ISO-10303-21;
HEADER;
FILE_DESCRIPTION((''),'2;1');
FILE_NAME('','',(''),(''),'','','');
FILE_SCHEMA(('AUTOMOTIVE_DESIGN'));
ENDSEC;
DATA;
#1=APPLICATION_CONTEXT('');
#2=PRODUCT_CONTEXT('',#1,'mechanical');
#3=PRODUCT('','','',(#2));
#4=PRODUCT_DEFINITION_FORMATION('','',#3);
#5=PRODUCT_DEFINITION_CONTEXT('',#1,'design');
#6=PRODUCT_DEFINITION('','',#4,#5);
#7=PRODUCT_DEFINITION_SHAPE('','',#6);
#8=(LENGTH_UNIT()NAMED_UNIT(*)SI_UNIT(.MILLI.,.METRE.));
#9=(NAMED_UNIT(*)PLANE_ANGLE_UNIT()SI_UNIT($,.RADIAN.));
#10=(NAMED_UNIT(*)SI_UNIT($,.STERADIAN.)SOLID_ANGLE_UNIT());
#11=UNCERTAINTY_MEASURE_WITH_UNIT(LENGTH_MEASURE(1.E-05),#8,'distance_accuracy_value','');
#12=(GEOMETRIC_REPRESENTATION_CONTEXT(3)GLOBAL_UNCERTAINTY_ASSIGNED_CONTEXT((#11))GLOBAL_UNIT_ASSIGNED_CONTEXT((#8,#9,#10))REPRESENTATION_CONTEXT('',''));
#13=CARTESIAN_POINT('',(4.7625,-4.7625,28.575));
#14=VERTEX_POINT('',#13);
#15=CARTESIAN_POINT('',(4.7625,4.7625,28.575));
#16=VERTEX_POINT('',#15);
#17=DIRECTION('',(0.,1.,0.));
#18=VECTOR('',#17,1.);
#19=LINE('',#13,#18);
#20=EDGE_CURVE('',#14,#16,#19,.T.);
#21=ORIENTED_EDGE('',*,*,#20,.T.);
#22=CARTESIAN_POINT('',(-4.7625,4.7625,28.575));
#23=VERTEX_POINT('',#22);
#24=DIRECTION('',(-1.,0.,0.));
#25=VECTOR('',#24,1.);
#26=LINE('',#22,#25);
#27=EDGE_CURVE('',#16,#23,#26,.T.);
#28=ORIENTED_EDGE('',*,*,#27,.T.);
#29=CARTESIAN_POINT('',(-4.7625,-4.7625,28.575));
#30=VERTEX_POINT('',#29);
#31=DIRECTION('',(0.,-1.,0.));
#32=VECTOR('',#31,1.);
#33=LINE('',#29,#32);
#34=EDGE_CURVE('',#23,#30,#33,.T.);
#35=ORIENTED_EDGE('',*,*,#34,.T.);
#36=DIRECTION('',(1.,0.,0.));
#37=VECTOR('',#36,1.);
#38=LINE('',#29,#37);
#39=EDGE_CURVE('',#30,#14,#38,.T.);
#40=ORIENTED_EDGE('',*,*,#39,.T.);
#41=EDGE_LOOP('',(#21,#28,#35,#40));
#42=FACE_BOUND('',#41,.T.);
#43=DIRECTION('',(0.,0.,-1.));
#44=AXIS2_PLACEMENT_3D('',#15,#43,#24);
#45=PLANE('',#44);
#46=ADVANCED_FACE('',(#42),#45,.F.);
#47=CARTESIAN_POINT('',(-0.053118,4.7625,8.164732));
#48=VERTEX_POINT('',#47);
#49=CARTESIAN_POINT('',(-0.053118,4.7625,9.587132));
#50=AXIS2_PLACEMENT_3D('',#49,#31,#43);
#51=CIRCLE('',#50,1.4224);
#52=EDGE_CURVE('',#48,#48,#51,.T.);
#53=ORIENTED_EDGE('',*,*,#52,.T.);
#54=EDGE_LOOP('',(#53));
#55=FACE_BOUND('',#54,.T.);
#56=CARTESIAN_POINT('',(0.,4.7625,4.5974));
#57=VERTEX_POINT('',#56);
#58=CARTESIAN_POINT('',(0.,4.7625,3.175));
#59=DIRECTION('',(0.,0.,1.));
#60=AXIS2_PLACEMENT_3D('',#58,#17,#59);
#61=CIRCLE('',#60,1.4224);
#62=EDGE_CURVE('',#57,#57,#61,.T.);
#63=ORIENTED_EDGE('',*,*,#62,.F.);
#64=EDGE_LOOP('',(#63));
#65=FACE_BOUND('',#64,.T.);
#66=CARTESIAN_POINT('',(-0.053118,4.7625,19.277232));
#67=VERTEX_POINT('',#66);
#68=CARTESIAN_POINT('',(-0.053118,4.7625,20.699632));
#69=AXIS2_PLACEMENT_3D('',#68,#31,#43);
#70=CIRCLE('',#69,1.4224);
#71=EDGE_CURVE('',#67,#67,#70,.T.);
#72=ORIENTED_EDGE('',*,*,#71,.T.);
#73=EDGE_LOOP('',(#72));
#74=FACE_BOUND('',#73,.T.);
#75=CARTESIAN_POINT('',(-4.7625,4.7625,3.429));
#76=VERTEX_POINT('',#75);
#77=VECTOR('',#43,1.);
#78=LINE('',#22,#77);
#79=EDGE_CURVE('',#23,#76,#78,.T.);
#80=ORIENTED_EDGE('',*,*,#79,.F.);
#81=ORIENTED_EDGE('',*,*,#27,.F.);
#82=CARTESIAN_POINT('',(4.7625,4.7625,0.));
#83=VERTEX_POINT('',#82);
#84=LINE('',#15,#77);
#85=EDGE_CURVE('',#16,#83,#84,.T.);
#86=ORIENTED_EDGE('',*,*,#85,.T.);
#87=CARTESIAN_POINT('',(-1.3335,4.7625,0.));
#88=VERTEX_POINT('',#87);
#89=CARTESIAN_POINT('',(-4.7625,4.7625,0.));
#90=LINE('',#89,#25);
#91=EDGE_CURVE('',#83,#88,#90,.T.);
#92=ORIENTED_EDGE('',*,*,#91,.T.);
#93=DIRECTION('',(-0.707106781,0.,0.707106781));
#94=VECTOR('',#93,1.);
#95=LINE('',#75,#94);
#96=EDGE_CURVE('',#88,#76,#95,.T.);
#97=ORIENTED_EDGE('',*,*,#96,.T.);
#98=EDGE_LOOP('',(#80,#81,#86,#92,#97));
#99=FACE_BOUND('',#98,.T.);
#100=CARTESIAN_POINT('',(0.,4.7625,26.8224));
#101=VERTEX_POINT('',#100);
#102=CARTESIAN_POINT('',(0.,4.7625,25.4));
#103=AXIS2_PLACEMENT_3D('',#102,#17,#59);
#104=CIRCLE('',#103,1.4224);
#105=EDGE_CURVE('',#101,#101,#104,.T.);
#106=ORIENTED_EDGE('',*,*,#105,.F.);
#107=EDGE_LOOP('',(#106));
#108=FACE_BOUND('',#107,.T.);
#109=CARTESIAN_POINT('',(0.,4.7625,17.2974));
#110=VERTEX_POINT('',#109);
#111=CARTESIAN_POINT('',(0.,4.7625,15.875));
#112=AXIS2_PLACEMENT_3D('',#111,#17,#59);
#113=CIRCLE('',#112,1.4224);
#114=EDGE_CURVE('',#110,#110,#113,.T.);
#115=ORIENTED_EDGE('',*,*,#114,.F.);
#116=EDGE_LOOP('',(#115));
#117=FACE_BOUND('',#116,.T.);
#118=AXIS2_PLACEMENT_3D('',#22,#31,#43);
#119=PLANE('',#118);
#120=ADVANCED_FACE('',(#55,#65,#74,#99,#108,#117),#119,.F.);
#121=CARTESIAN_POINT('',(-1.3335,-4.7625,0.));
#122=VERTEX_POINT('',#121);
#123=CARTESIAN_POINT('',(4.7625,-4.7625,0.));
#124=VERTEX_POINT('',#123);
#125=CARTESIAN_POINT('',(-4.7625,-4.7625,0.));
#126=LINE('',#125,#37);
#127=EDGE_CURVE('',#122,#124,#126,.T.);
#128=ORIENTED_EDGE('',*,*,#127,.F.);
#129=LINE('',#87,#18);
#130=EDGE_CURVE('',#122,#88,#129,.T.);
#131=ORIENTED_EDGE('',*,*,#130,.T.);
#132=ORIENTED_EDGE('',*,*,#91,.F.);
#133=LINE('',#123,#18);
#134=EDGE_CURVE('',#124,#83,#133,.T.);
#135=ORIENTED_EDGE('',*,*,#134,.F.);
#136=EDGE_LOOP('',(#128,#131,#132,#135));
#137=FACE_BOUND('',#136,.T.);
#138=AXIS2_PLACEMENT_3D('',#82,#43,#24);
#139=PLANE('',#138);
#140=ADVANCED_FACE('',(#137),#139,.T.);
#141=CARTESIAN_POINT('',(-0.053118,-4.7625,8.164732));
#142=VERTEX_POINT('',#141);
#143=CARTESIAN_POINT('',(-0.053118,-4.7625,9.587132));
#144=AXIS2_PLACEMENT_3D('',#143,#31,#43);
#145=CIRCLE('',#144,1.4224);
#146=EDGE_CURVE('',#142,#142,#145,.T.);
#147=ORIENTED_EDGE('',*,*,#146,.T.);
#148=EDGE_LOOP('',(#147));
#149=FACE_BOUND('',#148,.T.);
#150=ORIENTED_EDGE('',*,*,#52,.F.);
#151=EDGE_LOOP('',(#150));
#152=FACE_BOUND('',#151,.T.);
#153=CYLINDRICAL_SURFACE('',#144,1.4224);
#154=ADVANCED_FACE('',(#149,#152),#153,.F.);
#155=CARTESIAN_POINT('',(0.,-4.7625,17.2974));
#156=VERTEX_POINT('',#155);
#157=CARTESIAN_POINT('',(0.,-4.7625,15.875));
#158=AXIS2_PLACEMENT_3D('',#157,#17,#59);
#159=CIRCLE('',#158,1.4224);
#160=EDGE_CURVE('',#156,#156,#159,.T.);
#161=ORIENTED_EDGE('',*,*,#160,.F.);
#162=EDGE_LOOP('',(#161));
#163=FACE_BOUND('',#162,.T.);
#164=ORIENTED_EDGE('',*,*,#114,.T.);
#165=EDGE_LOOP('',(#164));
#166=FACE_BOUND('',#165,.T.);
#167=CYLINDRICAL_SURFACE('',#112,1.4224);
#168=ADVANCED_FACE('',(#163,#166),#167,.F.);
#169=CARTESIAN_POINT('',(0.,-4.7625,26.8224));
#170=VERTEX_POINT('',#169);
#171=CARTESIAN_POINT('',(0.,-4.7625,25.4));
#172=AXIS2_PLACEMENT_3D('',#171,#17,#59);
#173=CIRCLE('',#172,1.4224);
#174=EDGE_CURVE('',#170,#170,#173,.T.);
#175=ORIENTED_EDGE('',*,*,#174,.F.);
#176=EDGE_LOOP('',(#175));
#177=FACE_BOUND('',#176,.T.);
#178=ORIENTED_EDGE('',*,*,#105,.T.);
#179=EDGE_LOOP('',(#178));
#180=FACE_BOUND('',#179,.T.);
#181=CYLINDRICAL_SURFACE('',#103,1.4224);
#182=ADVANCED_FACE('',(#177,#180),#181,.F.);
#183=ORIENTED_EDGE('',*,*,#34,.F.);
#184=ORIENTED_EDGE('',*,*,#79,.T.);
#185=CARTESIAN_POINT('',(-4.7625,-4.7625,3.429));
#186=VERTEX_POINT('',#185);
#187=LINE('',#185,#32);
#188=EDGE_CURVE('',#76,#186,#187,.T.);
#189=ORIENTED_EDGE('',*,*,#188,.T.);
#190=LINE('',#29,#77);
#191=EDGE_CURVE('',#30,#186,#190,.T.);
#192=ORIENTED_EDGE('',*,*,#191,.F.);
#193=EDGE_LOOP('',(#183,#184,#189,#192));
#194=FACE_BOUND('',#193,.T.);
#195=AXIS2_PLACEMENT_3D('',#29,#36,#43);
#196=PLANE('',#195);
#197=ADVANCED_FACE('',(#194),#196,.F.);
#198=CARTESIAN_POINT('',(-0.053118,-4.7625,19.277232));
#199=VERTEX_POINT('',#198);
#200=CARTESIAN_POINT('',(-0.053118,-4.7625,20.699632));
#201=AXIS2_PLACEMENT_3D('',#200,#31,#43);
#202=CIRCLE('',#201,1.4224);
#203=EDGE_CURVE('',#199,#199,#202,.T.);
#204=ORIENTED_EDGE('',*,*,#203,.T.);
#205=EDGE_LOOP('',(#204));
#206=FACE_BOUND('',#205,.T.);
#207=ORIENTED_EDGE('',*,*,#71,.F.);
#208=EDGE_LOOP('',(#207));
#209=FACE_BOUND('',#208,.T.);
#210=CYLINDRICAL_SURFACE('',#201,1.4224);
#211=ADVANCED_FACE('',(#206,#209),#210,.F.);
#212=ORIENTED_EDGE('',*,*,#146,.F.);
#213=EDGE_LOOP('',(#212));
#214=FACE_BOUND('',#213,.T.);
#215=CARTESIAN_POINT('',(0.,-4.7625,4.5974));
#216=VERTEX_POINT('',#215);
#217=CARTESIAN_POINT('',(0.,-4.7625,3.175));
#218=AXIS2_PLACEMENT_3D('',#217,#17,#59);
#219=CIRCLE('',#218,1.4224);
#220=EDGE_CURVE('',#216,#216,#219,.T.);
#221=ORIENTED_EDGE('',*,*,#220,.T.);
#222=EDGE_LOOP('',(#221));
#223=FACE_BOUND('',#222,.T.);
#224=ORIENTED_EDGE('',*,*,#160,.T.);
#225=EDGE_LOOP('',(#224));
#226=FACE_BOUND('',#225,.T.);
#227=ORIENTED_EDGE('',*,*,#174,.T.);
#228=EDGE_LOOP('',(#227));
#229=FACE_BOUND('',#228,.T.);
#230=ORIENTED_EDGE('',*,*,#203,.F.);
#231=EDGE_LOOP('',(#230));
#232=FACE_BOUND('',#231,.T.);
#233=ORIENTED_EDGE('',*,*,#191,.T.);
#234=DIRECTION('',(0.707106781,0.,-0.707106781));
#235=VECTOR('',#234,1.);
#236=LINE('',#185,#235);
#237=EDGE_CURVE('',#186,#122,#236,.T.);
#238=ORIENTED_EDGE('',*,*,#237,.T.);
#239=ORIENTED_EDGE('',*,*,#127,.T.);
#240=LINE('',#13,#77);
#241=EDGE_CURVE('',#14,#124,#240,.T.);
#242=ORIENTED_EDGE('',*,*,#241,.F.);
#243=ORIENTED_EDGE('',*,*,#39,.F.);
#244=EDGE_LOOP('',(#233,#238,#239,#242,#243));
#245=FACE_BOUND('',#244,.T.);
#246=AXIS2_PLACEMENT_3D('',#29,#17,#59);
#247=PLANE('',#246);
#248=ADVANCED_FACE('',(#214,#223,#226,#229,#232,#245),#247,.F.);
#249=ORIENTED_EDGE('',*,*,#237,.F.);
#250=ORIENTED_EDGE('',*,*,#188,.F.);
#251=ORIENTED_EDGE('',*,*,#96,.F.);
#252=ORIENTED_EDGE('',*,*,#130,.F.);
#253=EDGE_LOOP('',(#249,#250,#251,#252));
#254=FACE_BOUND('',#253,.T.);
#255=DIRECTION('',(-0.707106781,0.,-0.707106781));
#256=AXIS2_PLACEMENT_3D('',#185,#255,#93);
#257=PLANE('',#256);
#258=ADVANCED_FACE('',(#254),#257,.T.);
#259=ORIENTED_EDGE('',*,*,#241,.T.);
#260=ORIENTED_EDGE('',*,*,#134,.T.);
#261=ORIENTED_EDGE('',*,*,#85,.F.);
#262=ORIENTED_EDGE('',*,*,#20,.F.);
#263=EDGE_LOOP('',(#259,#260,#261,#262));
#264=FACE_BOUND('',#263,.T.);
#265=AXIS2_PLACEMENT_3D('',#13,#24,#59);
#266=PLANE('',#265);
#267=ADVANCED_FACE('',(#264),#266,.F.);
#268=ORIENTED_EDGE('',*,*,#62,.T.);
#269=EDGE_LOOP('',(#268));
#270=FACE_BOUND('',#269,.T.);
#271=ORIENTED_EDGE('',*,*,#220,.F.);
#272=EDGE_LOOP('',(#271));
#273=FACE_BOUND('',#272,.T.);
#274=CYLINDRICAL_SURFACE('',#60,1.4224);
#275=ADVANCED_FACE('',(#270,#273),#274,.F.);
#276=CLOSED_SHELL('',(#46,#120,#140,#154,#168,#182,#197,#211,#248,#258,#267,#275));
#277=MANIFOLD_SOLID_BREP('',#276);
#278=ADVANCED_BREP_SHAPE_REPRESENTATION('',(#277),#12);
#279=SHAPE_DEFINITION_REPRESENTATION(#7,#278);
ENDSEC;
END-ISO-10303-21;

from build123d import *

# Parameters (mm, degrees)
SKETCH1_W             = 9.525
SKETCH1_H             = 9.525
EXTRUDE1_DEPTH        = 28.575
F_4_40_TAPPED_HOLE1_D = 2.8448
F_4_40_TAPPED_HOLE2_D = 2.8448
CHAMFER1_SIZE         = 3.429


with BuildPart() as part:
    # Sketch1 → Extrude1 (new body)
    with BuildSketch(Plane.XY):
        Rectangle(SKETCH1_W, SKETCH1_H)
    extrude(amount=EXTRUDE1_DEPTH)

    # #4-40 Tapped Hole1 (through all)
    with Locations(Plane(origin=(0, 4.7625, 3.175), x_dir=(0, 0, 1), z_dir=(0, 1, 0))):
        with Locations((0, 0), (12.7, 0), (22.225, 0)):
            Hole(F_4_40_TAPPED_HOLE1_D / 2)

    # #4-40 Tapped Hole2 (through all)
    with Locations(Plane(origin=(-0.053117728, -4.7625, 20.699632052), x_dir=(0, 0, -1), z_dir=(0, -1, 0))):
        with Locations((0, 0), (11.1125, 0)):
            Hole(F_4_40_TAPPED_HOLE2_D / 2)

    # Chamfer1
    chamfer1_edges = [part.edges().sort_by_distance(p)[0] for p in [
        (-4.7625, 0, 0),
    ]]
    chamfer(chamfer1_edges, length=CHAMFER1_SIZE)


solid = part.part
